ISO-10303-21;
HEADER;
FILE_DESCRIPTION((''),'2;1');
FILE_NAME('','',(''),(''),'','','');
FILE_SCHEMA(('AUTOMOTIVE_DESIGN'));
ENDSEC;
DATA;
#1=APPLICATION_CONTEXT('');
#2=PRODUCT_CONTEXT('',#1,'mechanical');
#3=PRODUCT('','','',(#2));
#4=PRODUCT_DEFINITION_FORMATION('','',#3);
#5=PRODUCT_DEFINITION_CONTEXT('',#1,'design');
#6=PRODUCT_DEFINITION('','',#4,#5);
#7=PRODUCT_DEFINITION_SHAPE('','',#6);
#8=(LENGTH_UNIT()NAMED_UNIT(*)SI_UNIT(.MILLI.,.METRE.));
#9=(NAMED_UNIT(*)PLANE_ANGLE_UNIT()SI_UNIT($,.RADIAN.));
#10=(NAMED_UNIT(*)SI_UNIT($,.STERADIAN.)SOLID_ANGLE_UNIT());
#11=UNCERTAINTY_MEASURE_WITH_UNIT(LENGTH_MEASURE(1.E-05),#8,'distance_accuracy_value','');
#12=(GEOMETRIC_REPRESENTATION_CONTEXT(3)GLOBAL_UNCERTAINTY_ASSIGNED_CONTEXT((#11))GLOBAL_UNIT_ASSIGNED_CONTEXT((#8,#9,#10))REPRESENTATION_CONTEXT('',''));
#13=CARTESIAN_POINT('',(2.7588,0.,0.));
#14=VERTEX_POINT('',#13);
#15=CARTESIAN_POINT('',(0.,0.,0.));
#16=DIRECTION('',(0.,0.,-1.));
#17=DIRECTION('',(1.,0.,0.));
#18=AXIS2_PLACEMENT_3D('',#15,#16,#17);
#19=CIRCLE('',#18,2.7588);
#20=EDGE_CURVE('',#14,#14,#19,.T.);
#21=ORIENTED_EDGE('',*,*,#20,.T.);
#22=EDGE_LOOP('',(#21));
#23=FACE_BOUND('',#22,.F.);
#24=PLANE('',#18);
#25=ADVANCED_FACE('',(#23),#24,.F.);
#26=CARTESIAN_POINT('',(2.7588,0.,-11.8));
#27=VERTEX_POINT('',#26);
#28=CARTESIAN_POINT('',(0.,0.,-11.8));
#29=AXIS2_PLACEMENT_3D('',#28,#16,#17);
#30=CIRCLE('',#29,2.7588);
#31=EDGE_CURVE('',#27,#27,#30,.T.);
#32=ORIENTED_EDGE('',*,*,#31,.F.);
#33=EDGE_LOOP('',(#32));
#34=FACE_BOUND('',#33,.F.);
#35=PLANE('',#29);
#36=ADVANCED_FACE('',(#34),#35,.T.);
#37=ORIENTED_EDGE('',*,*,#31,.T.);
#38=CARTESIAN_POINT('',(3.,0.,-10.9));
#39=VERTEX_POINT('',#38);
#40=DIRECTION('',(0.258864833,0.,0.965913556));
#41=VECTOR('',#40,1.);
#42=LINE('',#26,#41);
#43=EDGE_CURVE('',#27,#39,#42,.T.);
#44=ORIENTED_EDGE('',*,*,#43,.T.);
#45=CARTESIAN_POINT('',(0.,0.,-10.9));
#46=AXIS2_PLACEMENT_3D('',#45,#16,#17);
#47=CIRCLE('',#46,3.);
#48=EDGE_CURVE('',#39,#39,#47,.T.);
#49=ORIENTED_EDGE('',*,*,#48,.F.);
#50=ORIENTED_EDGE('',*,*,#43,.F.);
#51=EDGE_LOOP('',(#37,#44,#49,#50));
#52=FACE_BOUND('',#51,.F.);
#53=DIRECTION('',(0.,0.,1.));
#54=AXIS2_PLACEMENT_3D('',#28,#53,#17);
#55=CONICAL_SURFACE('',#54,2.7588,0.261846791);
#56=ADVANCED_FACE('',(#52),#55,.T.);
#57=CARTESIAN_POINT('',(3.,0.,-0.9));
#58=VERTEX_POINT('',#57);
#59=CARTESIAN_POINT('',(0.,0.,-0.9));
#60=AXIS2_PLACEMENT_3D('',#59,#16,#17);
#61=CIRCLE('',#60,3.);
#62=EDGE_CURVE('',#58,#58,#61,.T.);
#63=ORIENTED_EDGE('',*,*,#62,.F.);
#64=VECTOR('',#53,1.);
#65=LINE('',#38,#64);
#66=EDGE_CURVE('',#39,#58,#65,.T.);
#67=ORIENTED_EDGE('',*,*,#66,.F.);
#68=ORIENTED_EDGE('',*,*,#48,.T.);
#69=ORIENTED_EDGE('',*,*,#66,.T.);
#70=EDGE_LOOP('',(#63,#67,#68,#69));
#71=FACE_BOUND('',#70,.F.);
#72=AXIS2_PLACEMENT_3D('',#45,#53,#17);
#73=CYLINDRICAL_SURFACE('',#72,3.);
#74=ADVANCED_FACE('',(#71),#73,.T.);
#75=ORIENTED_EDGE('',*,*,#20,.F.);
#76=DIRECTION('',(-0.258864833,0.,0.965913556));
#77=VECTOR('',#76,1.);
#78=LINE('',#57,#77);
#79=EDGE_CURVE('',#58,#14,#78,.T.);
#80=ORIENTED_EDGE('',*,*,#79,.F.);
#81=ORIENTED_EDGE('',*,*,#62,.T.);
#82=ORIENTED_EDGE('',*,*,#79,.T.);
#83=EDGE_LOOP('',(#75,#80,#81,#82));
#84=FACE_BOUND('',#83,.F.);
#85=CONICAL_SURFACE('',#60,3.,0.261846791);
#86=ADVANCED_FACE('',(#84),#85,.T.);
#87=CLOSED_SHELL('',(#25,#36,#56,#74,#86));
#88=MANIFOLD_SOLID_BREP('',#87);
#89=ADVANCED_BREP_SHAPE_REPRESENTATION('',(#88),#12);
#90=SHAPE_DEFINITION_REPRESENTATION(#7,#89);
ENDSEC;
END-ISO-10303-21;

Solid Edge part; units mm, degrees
sketch "Sketch1" plane through (0, 0, 0) normal (0, -1, 0) x (1, 0, 0)
  line L0 (0, -11.8) -> (2.7588, -11.8)
  line L1 (2.7588, -11.8) -> (3, -10.9)
  line L2 (3, -10.9) -> (3, -0.9)
  line L3 (3, -0.9) -> (2.7588, 0)
  line L4 (2.7588, 0) -> (0, 0)
  dimension "D1" = 3
  dimension "D2" = 10
  dimension "D3" = 0.9
revolve "RevolvedProtrusion_1" add sketch "Sketch1" angle 360 about axis through (0, 0, 0) along (0, 0, -1)
properties material "Stahl"
